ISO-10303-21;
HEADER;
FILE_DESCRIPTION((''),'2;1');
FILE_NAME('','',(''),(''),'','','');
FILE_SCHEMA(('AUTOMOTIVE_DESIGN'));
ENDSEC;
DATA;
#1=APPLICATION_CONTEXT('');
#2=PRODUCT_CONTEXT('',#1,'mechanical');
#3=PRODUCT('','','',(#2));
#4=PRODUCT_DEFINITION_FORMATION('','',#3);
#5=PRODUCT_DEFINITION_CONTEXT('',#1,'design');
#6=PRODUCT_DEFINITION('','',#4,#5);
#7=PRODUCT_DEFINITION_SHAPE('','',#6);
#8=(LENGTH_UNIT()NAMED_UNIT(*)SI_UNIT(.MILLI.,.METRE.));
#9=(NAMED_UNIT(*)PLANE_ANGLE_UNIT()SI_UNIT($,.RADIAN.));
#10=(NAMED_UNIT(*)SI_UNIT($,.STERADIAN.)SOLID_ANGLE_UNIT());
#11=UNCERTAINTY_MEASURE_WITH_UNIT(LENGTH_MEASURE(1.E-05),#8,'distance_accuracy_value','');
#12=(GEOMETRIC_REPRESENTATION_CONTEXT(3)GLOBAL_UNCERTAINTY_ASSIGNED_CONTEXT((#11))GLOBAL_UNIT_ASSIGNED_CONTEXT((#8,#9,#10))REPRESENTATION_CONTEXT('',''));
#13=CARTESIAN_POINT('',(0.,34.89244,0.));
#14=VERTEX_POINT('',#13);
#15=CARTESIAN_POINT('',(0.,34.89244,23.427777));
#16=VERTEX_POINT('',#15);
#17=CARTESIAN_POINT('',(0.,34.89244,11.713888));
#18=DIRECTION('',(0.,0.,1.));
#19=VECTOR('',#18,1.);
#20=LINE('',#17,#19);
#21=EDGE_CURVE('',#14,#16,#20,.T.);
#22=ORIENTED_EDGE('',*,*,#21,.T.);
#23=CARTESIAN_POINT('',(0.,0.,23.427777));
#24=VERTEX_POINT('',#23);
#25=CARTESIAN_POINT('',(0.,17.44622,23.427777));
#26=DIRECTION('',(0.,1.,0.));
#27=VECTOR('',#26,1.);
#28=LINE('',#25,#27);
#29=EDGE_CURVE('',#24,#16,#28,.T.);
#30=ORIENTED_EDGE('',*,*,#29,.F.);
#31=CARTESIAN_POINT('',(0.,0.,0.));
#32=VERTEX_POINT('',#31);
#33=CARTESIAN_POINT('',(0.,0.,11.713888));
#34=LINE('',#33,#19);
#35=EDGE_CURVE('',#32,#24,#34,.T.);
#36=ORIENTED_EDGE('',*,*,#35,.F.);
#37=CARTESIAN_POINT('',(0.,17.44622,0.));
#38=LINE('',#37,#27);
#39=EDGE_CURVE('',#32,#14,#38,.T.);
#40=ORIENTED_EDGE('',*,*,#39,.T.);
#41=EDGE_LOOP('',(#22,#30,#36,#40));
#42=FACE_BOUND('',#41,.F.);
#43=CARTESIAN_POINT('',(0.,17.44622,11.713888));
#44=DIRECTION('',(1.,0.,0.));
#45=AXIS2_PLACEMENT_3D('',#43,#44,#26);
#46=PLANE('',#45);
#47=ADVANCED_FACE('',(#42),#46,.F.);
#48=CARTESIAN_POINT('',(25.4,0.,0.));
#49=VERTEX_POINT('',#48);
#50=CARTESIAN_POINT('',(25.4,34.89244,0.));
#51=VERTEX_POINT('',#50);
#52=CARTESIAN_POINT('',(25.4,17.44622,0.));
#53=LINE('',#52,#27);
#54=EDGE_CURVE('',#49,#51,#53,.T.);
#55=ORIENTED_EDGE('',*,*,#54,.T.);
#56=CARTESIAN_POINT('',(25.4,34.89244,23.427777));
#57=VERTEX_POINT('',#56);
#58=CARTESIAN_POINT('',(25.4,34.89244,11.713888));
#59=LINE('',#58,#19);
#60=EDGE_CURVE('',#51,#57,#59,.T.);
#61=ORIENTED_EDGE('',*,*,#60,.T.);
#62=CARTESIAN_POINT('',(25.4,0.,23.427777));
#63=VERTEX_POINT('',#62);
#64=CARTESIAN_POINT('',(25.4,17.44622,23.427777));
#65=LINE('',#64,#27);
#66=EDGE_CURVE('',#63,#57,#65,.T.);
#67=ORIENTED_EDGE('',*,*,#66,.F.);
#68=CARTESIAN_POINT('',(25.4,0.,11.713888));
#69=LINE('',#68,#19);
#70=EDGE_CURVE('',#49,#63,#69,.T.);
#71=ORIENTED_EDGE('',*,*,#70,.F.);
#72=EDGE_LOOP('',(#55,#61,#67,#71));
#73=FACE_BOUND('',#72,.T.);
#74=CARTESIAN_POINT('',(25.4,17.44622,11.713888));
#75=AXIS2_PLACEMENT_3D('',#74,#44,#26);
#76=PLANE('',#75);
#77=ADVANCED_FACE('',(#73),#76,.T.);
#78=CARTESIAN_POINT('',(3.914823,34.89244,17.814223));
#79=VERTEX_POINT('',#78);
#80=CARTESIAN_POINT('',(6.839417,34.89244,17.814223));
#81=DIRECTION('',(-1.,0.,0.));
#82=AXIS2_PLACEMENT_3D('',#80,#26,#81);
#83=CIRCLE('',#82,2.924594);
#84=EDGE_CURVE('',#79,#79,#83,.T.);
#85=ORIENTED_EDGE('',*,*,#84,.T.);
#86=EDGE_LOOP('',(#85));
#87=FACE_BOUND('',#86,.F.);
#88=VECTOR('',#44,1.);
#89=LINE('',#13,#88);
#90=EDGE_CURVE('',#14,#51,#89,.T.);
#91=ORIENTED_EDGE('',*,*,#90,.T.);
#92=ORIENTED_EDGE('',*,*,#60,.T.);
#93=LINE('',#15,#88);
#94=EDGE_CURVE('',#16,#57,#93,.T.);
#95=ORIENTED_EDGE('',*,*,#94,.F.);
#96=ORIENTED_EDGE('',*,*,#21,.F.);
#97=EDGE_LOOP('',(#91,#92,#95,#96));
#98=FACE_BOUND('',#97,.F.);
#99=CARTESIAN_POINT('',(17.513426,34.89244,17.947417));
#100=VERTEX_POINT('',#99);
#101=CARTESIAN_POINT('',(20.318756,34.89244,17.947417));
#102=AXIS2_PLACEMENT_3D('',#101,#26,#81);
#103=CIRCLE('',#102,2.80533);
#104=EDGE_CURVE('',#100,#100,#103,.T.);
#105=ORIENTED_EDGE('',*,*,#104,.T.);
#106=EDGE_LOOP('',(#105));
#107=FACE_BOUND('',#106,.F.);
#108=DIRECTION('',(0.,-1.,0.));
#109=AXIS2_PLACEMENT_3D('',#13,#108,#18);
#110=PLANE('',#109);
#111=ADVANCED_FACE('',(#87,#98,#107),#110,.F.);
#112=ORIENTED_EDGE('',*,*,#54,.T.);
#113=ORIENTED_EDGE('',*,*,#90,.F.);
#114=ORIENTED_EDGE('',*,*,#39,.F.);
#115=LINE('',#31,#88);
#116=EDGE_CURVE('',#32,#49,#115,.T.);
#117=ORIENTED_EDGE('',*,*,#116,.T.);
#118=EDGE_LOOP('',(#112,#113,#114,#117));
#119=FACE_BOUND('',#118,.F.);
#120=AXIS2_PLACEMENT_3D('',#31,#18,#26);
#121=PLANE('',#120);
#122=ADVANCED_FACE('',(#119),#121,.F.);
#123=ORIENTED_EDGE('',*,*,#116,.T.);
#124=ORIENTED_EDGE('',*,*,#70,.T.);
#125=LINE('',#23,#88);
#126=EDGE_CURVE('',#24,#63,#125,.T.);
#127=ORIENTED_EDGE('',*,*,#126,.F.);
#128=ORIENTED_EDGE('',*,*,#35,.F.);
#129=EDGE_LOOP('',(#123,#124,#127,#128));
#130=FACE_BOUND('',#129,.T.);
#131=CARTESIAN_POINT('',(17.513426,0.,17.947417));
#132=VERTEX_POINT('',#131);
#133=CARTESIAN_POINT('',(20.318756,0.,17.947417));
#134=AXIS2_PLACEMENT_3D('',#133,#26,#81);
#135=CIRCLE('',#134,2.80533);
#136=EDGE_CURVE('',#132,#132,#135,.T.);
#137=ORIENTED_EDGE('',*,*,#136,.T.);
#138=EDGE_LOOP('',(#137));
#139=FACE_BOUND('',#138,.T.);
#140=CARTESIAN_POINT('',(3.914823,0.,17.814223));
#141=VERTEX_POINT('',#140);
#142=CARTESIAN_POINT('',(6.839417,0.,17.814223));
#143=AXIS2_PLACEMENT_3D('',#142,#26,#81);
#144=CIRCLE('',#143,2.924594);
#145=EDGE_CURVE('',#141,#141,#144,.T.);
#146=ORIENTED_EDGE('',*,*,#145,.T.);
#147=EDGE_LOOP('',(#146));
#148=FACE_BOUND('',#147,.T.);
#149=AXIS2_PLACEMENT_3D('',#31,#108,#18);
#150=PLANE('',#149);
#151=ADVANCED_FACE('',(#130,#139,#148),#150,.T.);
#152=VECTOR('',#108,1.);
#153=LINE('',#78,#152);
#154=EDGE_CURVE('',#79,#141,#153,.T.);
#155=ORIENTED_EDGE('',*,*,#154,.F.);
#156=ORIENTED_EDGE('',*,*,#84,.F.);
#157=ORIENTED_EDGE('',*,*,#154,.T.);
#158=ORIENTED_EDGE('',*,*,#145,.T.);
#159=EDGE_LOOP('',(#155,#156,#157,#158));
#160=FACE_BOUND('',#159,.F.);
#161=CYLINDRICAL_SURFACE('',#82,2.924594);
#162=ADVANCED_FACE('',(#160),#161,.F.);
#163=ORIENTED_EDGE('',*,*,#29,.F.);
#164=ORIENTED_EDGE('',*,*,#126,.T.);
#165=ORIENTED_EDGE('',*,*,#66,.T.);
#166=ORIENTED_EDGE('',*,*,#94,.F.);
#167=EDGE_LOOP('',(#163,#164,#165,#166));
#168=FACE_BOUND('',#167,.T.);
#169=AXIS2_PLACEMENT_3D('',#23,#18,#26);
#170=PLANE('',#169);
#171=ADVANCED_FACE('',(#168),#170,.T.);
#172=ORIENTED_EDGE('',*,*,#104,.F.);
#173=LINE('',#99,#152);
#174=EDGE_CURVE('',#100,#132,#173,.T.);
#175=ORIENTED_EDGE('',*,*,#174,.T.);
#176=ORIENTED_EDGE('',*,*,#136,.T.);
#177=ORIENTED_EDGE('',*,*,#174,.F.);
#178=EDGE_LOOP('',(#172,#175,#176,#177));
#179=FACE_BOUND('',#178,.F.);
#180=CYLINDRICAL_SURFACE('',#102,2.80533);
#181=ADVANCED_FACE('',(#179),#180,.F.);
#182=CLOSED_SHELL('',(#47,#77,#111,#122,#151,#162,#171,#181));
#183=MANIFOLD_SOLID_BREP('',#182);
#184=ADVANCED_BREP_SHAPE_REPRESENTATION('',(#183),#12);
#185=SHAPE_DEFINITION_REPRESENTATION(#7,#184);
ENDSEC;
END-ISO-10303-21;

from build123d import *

# Parameters (mm, degrees)
F0_W     = 34.89244
F0_H     = 23.427777
F1_DEPTH = 25.4
F2_R     = 2.80533
F2_R_2   = 2.924594
F3_DEPTH = 34.89344


with BuildPart() as f1:
    # F0 (on Right) → F1 (new body)
    with BuildSketch(Plane.YZ):
        with Locations((17.44622, 11.713888)):
            Rectangle(F0_W, F0_H)
    extrude(amount=F1_DEPTH)

    # F2 (on face) → F3 (cut, through all)
    with BuildSketch(Plane(origin=(0, 34.89244, 0), x_dir=(-1, 0, 0), z_dir=(0, 1, 0))):
        with Locations((-20.318756, 17.947417)):
            Circle(F2_R)
        with Locations((-6.839417, 17.814223)):
            Circle(F2_R_2)
    extrude(amount=-F3_DEPTH, mode=Mode.SUBTRACT)


solid = f1.part
